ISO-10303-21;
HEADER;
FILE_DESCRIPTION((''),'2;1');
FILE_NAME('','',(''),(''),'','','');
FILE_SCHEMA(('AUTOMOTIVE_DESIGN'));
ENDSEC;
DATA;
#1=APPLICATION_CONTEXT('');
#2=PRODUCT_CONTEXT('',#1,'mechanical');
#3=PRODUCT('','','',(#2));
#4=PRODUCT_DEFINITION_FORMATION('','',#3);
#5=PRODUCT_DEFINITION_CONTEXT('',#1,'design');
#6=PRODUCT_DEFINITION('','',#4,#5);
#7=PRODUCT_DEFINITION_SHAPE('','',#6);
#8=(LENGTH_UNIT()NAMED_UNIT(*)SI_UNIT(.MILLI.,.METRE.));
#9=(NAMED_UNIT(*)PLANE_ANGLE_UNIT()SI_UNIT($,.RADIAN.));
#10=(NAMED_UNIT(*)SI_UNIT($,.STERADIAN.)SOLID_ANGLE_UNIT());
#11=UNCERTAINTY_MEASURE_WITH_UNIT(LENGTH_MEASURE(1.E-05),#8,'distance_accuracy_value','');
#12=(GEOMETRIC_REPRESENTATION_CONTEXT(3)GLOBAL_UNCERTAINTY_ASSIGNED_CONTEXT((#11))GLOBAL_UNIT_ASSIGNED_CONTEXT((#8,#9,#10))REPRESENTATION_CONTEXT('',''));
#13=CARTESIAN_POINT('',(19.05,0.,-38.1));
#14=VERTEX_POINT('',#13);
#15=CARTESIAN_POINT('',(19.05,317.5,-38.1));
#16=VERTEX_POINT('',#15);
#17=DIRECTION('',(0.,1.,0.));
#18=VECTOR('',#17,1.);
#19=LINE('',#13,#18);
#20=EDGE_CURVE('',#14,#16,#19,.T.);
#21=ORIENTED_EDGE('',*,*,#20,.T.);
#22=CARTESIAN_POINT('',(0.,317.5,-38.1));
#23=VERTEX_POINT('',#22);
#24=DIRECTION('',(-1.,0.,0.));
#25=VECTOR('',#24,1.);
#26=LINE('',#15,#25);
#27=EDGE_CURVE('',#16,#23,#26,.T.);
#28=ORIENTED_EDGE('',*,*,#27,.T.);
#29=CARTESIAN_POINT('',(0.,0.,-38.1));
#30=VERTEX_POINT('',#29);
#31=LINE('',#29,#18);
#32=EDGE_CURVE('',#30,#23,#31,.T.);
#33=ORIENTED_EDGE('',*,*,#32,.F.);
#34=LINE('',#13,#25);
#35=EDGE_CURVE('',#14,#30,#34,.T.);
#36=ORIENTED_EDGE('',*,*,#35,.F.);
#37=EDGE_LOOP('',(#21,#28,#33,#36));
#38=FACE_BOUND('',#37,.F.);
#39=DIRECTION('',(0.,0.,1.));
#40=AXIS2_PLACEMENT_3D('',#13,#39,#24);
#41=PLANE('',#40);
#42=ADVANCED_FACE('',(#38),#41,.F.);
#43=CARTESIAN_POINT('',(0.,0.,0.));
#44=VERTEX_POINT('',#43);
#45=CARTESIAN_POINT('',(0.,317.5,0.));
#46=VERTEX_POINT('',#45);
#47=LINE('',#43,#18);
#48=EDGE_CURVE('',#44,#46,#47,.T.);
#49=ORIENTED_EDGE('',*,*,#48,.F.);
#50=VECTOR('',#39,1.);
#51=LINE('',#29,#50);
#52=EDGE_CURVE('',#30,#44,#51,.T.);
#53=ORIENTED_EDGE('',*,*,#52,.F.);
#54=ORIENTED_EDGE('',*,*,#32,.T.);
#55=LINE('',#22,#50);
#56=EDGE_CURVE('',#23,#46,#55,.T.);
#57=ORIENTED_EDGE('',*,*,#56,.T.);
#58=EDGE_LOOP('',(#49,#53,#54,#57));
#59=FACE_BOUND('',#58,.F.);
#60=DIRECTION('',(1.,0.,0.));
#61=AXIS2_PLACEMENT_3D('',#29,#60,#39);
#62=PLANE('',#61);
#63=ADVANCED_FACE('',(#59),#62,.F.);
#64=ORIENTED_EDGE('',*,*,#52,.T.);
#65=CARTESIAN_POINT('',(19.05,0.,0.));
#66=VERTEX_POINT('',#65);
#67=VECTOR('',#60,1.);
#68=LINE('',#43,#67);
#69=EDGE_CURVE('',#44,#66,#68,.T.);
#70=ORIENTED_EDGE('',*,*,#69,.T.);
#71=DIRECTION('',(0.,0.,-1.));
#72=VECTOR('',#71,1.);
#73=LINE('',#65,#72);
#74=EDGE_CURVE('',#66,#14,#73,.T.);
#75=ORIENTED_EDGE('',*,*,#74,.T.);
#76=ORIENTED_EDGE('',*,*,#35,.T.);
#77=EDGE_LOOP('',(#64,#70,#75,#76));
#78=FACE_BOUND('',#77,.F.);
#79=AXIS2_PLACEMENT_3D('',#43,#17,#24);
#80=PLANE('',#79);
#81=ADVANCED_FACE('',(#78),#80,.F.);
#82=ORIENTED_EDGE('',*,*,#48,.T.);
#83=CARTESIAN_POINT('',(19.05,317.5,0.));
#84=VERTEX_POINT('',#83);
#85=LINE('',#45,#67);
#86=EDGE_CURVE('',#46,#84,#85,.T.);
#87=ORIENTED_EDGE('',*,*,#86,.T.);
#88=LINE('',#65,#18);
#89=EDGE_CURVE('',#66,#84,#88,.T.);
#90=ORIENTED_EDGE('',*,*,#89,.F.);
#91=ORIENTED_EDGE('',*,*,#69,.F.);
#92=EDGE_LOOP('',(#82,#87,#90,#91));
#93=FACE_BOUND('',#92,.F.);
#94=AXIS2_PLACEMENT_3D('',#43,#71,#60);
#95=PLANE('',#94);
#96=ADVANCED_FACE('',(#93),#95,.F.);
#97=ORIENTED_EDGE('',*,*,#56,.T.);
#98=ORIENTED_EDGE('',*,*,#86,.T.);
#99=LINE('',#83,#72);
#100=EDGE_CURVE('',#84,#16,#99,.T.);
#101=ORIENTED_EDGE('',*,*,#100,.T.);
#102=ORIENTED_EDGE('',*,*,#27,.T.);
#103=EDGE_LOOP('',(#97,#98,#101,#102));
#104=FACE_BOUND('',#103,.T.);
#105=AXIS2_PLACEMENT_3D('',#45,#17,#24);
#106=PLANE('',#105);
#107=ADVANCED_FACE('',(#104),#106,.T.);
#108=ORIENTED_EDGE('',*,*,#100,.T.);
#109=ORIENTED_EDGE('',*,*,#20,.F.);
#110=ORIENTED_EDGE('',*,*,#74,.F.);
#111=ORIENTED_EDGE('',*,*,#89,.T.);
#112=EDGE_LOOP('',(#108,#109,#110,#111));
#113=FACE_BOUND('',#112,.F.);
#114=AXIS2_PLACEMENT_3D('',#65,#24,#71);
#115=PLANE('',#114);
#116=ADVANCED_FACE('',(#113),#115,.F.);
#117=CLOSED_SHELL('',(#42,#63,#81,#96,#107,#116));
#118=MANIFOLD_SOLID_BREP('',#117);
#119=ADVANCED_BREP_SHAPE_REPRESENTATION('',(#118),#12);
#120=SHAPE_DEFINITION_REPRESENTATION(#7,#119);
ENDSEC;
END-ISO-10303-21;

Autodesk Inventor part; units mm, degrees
ref_plane "YZ Plane" through (0, 0, 0) normal (1, 0, 0) x (0, 1, 0)
ref_plane "XZ Plane" through (0, 0, 0) normal (0, 1, 0) x (-1, 0, 0)
ref_plane "XY Plane" through (0, 0, 0) normal (0, 0, 1) x (1, 0, 0)
sketch "Sketch1" plane through (0, 0, 0) normal (0, 1, 0) x (-1, 0, 0)
  line L0 (0, 0) -> (-19.05, 0)
  line L1 (-19.05, 0) -> (-19.05, -38.1)
  line L2 (-19.05, -38.1) -> (0, -38.1)
  line L3 (0, -38.1) -> (0, 0)
  dimension "d0" = 19.05
  dimension "d1" = 38.1
extrude "Extrusion1" add sketch "Sketch1" along normal blind 317.5
properties part number "Support GuideRail Wood Framing Joining Piece"
